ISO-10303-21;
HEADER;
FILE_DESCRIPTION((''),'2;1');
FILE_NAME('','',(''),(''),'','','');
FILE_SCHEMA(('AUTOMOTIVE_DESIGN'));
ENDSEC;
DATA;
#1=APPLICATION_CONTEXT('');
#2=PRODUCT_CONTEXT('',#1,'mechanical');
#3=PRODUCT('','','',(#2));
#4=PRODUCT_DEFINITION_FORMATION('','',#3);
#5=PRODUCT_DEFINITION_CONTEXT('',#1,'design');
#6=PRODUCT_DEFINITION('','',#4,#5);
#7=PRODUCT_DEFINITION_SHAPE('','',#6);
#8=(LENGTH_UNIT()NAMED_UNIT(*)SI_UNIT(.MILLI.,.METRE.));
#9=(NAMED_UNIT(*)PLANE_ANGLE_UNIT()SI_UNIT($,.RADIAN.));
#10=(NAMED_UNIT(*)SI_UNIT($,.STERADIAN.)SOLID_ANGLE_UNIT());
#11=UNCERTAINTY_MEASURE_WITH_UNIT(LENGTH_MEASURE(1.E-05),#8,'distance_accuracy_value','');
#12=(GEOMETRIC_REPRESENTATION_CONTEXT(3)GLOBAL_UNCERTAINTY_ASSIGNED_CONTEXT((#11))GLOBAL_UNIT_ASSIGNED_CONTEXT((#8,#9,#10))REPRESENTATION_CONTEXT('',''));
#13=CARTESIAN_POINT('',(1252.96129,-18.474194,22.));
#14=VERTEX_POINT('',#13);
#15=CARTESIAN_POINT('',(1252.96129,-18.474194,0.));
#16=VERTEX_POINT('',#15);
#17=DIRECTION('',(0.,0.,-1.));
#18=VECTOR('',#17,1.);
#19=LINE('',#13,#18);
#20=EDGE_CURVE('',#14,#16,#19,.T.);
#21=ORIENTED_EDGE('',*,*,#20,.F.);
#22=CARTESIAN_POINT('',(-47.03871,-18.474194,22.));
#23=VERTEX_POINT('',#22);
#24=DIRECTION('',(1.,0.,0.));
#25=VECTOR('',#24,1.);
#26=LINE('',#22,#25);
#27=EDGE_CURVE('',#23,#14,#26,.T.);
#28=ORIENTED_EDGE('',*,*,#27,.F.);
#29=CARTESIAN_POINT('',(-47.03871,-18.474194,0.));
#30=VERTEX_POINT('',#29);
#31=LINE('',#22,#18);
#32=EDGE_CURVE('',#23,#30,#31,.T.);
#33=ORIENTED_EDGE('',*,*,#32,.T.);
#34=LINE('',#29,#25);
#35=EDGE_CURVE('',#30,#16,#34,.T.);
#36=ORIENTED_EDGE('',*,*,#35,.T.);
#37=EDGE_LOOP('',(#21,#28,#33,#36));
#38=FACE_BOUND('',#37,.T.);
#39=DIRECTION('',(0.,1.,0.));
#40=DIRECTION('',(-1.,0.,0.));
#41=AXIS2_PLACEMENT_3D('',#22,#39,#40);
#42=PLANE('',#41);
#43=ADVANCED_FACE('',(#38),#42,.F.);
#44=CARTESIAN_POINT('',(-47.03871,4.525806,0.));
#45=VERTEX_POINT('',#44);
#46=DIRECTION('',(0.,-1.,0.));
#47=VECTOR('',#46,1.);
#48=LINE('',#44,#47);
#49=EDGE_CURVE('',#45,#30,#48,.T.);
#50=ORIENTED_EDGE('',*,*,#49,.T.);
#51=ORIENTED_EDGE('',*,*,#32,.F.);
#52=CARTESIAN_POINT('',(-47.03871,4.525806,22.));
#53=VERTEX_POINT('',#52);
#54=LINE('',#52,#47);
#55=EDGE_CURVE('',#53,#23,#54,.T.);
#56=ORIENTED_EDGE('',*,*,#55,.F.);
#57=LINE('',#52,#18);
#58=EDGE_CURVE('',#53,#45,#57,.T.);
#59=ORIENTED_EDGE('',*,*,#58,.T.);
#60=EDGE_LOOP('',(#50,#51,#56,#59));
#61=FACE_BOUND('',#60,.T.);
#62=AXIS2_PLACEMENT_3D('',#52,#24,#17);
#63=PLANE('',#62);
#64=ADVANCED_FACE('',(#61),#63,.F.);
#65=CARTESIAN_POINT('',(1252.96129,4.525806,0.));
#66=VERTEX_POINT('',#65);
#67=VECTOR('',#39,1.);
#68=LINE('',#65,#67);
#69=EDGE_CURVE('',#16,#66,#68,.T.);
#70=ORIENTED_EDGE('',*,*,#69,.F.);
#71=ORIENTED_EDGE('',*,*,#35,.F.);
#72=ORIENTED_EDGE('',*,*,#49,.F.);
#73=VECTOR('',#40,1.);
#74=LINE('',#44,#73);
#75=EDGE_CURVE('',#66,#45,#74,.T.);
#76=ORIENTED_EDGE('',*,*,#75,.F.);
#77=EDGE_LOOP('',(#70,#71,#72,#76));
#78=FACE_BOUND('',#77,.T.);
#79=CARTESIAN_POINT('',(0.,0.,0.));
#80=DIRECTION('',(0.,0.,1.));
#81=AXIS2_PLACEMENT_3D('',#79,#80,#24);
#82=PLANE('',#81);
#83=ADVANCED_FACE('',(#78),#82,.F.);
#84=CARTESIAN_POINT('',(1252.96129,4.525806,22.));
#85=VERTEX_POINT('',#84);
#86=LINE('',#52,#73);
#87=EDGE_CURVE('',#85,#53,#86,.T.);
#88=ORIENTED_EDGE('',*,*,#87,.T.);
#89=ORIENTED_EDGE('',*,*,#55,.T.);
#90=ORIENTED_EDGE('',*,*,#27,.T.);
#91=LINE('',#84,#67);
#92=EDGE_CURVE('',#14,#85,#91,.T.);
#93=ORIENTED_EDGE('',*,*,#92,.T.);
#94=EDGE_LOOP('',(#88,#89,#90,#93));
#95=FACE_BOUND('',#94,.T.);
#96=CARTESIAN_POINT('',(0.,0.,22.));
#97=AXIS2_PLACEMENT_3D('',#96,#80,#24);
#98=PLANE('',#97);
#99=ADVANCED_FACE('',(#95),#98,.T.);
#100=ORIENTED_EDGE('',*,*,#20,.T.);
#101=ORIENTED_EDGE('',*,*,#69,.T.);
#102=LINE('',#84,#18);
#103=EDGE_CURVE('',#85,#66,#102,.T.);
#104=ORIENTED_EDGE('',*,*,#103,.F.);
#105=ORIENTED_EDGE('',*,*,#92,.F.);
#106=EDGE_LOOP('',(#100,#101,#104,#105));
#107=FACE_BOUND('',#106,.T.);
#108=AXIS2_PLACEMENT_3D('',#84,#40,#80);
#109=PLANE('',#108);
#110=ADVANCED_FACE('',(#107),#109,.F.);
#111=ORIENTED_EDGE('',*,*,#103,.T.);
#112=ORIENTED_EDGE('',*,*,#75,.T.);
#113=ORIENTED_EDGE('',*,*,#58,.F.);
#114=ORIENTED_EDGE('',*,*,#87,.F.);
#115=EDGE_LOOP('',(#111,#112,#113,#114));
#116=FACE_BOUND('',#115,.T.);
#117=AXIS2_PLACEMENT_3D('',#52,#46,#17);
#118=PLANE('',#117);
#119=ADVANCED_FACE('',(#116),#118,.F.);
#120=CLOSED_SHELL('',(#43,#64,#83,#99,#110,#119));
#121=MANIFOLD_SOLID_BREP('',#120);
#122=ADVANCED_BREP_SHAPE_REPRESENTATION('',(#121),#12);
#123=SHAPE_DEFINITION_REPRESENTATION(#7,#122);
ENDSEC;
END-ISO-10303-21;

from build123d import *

# Parameters (mm, degrees)
SKETCH_1_W      = 1300
SKETCH_1_H      = 23
EXTRUDE_1_DEPTH = 22


with BuildPart() as part:
    # 草图1 → 凸台-拉伸1 (new body)
    with BuildSketch(Plane.XY):
        with Locations((602.961290323, -6.974193548)):
            Rectangle(SKETCH_1_W, SKETCH_1_H)
    extrude(amount=EXTRUDE_1_DEPTH)


solid = part.part
